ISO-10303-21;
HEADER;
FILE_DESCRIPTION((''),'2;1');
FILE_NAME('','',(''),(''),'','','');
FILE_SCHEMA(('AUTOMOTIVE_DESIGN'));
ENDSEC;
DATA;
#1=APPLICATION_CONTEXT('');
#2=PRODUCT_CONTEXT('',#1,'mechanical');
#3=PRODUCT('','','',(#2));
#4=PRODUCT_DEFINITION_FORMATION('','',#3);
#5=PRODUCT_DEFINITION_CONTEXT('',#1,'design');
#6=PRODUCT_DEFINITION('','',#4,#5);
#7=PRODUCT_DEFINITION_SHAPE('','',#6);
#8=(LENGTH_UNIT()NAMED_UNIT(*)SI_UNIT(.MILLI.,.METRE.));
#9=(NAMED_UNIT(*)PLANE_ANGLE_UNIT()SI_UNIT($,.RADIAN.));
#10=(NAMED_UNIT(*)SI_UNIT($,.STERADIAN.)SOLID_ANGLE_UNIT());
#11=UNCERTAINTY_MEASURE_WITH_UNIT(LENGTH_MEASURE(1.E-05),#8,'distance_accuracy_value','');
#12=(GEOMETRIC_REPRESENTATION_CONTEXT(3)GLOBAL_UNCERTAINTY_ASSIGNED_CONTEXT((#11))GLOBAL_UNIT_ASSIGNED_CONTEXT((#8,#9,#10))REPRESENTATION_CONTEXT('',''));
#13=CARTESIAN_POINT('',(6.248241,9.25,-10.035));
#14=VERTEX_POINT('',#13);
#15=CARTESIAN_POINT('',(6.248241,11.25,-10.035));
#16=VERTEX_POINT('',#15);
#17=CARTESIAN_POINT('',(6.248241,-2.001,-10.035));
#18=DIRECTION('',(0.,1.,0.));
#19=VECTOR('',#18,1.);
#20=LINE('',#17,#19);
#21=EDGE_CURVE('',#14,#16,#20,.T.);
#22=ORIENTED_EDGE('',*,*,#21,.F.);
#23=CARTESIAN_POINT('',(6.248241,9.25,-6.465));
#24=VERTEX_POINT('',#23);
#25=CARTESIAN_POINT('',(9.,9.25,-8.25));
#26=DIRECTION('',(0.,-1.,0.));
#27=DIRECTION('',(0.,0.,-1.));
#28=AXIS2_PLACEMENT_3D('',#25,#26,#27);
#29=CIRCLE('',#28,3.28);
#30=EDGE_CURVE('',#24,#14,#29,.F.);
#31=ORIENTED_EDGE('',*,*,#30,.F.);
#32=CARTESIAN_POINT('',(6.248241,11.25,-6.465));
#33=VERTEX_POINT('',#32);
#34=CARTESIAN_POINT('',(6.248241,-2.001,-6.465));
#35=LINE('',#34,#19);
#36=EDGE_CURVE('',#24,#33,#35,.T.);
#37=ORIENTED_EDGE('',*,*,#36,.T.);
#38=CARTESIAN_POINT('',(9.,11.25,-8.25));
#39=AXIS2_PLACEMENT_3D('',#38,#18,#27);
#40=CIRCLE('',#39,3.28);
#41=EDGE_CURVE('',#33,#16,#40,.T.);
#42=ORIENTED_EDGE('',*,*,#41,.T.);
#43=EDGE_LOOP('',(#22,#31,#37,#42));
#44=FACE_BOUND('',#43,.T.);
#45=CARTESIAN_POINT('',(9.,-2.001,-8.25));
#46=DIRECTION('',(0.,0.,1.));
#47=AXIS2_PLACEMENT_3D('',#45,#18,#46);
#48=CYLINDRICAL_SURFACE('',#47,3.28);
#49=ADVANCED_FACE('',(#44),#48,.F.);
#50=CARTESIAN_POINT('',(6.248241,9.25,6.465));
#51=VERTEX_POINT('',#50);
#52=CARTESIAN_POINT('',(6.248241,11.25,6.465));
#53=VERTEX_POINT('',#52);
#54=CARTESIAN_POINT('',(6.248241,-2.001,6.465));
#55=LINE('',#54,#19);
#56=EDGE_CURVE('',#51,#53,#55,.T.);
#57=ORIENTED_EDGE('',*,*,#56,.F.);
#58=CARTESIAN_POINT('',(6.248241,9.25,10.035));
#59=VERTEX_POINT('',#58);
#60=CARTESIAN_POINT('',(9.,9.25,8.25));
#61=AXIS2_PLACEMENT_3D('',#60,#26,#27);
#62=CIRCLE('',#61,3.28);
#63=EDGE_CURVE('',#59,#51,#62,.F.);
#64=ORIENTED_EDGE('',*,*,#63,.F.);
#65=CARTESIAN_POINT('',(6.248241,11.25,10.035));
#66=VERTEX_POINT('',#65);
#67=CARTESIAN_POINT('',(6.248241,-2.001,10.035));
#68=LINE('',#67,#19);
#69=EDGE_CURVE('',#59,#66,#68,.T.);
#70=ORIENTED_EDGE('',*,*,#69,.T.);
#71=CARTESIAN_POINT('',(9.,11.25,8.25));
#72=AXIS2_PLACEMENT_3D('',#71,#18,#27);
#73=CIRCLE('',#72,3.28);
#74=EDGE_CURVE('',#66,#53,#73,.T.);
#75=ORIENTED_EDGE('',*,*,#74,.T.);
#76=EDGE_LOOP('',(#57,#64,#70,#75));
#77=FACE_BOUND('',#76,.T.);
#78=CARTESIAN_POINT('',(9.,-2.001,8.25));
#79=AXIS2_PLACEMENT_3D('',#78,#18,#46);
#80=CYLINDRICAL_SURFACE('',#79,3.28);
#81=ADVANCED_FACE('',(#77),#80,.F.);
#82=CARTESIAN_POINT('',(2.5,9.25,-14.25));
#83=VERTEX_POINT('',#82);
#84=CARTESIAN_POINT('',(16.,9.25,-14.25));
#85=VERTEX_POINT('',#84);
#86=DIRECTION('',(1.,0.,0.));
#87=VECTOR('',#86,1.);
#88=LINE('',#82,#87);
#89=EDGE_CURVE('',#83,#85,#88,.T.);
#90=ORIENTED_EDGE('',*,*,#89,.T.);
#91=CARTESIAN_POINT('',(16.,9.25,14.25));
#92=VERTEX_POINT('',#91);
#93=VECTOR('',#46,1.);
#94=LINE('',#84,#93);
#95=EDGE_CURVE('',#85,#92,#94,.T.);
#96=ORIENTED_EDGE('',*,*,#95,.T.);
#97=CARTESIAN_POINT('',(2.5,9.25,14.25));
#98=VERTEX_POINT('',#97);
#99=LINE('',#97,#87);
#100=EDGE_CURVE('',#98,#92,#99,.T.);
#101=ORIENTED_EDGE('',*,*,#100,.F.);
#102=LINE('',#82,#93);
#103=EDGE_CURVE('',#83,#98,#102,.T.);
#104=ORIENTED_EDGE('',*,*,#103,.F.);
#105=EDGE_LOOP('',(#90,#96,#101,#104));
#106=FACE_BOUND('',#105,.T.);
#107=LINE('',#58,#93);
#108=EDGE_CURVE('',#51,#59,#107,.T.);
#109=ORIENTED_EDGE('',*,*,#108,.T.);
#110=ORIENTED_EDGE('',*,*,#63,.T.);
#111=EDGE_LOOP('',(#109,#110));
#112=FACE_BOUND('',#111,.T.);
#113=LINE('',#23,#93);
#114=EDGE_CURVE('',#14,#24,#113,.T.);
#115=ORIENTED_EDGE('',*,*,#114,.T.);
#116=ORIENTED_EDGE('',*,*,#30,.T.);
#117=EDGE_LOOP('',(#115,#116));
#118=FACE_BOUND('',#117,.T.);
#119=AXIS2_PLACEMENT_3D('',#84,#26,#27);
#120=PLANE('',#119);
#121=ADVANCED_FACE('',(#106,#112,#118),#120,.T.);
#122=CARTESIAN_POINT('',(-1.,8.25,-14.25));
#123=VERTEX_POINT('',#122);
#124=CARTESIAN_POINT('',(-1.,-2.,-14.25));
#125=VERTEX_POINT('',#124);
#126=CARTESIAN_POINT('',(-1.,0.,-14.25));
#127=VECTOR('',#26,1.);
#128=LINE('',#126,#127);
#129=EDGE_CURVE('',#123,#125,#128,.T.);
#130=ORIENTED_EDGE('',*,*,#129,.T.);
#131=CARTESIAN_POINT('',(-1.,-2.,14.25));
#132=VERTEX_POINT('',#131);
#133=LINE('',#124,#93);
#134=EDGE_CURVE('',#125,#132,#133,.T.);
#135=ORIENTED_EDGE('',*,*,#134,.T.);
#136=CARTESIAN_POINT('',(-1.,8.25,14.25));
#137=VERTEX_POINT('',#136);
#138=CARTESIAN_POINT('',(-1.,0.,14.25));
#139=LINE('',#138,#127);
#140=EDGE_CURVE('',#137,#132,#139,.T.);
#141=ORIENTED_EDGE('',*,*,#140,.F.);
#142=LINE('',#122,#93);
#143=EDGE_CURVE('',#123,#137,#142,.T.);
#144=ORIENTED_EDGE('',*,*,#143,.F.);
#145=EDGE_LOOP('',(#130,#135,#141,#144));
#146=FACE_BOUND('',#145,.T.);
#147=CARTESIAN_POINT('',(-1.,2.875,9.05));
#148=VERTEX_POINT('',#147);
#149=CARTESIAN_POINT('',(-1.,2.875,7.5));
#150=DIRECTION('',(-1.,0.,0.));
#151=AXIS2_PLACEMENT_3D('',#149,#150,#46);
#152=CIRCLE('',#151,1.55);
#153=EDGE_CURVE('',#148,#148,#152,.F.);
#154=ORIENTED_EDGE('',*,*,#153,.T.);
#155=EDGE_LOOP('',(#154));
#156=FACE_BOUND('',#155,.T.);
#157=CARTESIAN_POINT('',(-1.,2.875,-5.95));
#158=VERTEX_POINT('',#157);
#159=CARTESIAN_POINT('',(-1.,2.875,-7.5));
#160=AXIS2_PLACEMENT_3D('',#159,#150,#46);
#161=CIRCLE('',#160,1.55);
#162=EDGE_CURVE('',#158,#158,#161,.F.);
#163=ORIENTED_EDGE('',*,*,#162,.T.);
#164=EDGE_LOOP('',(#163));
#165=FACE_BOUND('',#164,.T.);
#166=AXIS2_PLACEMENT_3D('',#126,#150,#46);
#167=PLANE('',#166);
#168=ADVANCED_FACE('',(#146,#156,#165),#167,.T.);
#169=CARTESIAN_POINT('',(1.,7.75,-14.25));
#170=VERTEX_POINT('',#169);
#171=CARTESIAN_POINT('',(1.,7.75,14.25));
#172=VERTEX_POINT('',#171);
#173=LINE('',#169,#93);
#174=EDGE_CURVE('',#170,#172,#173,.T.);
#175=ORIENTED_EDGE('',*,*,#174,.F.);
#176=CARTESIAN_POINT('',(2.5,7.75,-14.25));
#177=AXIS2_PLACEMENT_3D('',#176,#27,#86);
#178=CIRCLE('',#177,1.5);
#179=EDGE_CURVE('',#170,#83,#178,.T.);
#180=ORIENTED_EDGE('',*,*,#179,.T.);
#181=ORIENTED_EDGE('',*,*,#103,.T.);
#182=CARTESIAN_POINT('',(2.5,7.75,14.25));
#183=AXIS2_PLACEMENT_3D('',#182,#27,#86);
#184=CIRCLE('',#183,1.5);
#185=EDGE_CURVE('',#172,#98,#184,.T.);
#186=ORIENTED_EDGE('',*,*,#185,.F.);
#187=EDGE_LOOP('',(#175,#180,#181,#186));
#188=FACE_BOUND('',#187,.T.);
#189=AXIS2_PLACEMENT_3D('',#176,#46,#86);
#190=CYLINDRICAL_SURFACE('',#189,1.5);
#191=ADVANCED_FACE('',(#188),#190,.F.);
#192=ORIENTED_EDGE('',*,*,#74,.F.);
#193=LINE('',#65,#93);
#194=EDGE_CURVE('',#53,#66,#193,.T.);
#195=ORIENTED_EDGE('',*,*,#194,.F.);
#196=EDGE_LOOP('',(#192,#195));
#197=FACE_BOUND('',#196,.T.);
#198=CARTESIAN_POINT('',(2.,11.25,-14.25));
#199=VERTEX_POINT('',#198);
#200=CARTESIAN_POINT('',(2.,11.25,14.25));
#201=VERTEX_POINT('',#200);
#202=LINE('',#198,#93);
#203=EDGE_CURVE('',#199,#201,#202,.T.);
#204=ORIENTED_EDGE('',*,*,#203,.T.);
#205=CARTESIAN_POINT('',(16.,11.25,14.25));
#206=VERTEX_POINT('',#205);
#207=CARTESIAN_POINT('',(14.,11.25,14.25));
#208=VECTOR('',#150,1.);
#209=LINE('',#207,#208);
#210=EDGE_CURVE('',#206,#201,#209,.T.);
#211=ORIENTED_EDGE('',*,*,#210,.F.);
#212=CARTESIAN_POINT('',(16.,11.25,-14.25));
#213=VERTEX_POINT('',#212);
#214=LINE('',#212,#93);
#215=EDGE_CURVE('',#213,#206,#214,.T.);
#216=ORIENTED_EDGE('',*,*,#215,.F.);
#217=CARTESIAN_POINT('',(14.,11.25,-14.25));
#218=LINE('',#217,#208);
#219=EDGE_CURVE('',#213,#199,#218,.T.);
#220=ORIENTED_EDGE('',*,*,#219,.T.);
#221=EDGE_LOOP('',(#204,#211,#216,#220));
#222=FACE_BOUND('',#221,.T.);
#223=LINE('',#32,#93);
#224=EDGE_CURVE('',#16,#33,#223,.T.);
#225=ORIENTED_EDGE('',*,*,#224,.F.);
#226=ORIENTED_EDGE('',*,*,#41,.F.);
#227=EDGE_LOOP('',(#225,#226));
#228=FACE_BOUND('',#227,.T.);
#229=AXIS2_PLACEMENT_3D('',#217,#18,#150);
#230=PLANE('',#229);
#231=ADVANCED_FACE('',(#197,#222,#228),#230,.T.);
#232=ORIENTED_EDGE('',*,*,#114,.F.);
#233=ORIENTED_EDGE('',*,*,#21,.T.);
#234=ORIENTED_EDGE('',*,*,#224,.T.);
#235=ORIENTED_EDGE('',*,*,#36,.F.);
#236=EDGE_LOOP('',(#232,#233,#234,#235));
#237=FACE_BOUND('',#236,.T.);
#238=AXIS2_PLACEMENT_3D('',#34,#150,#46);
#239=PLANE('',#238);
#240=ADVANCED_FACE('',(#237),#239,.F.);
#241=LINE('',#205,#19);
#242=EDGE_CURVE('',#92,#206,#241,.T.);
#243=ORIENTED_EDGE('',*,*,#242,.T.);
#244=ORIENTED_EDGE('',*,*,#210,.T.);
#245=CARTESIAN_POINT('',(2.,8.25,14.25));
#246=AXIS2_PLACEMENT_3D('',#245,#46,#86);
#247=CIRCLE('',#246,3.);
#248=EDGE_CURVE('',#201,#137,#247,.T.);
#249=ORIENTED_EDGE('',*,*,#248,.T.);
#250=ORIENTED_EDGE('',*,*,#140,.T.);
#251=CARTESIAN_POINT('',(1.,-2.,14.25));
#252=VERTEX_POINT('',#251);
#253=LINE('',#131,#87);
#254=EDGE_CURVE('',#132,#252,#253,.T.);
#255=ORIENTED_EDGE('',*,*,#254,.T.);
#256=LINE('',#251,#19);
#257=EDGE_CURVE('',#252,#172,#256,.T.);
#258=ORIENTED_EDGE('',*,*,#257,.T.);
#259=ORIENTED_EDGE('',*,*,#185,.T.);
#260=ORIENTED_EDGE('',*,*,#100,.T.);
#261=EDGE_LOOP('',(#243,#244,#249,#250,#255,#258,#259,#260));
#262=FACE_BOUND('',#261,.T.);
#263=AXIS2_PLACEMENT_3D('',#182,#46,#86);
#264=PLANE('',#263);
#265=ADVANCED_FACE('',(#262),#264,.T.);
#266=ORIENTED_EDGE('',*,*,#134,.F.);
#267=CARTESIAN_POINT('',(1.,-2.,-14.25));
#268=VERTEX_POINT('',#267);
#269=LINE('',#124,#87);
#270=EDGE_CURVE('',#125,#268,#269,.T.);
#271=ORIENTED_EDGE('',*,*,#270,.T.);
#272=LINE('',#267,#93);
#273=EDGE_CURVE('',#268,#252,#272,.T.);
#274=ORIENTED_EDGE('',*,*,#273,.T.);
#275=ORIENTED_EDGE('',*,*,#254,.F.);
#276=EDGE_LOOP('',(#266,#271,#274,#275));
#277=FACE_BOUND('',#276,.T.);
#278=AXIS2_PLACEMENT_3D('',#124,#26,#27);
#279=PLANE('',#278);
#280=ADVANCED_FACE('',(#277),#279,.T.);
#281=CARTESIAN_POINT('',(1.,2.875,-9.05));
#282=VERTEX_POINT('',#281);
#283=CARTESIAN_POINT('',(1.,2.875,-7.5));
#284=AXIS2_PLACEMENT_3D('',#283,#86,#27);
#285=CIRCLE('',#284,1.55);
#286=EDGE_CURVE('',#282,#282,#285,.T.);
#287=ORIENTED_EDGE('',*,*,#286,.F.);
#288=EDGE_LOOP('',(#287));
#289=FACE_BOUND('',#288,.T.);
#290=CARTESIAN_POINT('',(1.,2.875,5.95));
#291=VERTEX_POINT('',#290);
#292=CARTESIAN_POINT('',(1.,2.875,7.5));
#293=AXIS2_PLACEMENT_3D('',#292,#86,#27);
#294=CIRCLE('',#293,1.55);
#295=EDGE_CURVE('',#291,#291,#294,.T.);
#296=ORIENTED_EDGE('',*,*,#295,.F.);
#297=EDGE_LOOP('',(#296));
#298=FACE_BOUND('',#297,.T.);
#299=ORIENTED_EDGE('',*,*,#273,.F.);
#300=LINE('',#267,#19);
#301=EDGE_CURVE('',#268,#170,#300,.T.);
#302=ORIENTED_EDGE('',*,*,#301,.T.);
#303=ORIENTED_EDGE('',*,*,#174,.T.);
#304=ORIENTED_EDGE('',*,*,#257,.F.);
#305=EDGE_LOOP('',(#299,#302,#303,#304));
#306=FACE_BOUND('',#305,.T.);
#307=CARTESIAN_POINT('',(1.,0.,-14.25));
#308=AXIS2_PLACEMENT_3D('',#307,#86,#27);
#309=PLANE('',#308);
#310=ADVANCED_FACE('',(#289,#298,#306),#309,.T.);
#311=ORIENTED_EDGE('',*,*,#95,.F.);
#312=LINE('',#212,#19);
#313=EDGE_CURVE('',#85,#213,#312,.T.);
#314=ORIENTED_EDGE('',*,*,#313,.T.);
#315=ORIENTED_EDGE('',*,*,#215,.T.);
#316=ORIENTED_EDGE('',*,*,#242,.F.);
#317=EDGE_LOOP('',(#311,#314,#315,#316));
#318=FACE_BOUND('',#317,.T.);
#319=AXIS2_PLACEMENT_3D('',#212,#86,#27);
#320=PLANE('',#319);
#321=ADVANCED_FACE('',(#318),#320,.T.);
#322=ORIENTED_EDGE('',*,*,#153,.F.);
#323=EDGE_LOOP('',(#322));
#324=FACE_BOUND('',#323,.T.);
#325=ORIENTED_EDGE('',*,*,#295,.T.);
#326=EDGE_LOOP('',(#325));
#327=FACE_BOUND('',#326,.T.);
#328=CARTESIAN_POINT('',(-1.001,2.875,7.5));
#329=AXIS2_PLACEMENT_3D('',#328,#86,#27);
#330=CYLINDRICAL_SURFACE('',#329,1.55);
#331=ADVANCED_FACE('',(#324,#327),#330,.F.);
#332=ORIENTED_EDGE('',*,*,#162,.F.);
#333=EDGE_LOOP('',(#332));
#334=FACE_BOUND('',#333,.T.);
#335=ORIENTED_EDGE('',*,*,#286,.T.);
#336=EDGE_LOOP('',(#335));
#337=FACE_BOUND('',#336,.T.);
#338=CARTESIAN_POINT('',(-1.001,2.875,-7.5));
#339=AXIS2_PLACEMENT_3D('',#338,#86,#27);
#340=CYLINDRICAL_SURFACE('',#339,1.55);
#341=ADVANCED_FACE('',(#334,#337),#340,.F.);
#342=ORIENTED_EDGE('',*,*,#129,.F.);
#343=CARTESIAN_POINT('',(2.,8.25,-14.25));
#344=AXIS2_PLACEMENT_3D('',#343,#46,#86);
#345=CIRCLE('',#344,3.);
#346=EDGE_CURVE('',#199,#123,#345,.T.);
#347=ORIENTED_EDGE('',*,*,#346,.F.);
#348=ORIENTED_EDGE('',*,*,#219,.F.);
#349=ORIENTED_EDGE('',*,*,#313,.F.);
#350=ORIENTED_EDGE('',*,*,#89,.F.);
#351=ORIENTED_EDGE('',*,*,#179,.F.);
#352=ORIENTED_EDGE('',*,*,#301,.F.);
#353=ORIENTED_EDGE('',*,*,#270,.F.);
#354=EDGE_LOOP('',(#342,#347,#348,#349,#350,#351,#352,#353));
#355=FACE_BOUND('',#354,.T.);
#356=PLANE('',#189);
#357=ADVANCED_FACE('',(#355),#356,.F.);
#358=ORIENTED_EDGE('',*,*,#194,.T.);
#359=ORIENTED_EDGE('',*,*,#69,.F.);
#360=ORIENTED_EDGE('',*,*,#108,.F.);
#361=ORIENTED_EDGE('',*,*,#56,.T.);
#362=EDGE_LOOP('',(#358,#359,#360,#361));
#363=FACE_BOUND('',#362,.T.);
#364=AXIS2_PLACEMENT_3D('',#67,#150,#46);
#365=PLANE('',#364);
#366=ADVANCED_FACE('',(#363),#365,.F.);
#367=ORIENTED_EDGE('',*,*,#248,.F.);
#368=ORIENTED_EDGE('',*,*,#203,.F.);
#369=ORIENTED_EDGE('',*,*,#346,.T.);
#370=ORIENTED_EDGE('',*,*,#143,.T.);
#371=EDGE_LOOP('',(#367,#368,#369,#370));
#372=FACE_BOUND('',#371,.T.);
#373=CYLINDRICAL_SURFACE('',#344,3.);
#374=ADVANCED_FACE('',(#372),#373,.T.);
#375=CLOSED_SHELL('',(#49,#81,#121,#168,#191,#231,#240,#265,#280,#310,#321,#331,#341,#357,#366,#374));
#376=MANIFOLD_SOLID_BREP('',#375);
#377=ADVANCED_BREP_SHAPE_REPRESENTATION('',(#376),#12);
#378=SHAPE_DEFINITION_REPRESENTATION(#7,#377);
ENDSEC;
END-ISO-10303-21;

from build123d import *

# Parameters (mm, degrees)
BOSS_EXTRUDE1_DEPTH      = 14.25
BOSS_EXTRUDE1_DEPTH_BACK = 14.25
CUT_EXTRUDE1_REACH       = 27.192
CUT_EXTRUDE2_REACH       = 25.55
SKETCH3_R                = 1.55


with BuildPart() as part:
    # Sketch1 → Boss-Extrude1 (new, two sides: drawn at the far end of the back side and taken through both)
    with BuildSketch(Plane.XY.offset(-BOSS_EXTRUDE1_DEPTH_BACK)):
        with BuildLine():
            Line((1, 0), (1, 7.75))
            ThreePointArc((1, 7.75), (1.439339828, 8.810660172), (2.5, 9.25))
            Line((2.5, 9.25), (14, 9.25))
            Line((14, 9.25), (16, 9.25))
            Line((16, 9.25), (16, 11.25))
            Line((16, 11.25), (14, 11.25))
            Line((14, 11.25), (2, 11.25))
            ThreePointArc((2, 11.25), (-0.121320344, 10.371320344), (-1, 8.25))
            Line((-1, 8.25), (-1, 0))
            Line((-1, 0), (-1, -2))
            Line((-1, -2), (1, -2))
            Line((1, -2), (1, 0))
        make_face()
    extrude(amount=BOSS_EXTRUDE1_DEPTH + BOSS_EXTRUDE1_DEPTH_BACK)

    # Sketch2 → Cut-Extrude1 (cut, up to next)
    with BuildSketch(Plane(origin=(0, 11.25, 0), x_dir=(1, 0, 0), z_dir=(0, 1, 0)), mode=Mode.PRIVATE) as cut_extrude1_sk1:
        with BuildLine():
            Line((6.248241471, -10.035), (6.248241471, -6.465))
            ThreePointArc((6.248241471, -6.465), (12.28, -8.25), (6.248241471, -10.035))
        make_face()
    cut_extrude1_tool1 = extrude(cut_extrude1_sk1.sketch, amount=-CUT_EXTRUDE1_REACH, mode=Mode.PRIVATE) & part.part
    # Sketch2 → Cut-Extrude1 (cut, up to next)
    with BuildSketch(Plane(origin=(0, 11.25, 0), x_dir=(1, 0, 0), z_dir=(0, 1, 0)), mode=Mode.PRIVATE) as cut_extrude1_sk2:
        with BuildLine():
            Line((6.248241471, 6.465), (6.248241471, 10.035))
            ThreePointArc((6.248241471, 10.035), (12.28, 8.25), (6.248241471, 6.465))
        make_face()
    cut_extrude1_tool2 = extrude(cut_extrude1_sk2.sketch, amount=-CUT_EXTRUDE1_REACH, mode=Mode.PRIVATE) & part.part
    add(cut_extrude1_tool1.solids().sort_by_distance((9.116595, 11.25, 8.25))[0], mode=Mode.SUBTRACT)
    add(cut_extrude1_tool2.solids().sort_by_distance((9.116595, 11.25, -8.25))[0], mode=Mode.SUBTRACT)

    # Sketch3 → Cut-Extrude2 (cut, up to next)
    with BuildSketch(Plane(origin=(1, 0, 0), x_dir=(0, 0, -1), z_dir=(1, 0, 0)), mode=Mode.PRIVATE) as cut_extrude2_sk1:
        with Locations((-7.5, 2.875)):
            Circle(SKETCH3_R)
    cut_extrude2_tool1 = extrude(cut_extrude2_sk1.sketch, amount=-CUT_EXTRUDE2_REACH, mode=Mode.PRIVATE) & part.part
    # Sketch3 → Cut-Extrude2 (cut, up to next)
    with BuildSketch(Plane(origin=(1, 0, 0), x_dir=(0, 0, -1), z_dir=(1, 0, 0)), mode=Mode.PRIVATE) as cut_extrude2_sk2:
        with Locations((7.5, 2.875)):
            Circle(SKETCH3_R)
    cut_extrude2_tool2 = extrude(cut_extrude2_sk2.sketch, amount=-CUT_EXTRUDE2_REACH, mode=Mode.PRIVATE) & part.part
    add(cut_extrude2_tool1.solids().sort_by_distance((1, 2.875, 7.5))[0], mode=Mode.SUBTRACT)
    add(cut_extrude2_tool2.solids().sort_by_distance((1, 2.875, -7.5))[0], mode=Mode.SUBTRACT)


solid = part.part
